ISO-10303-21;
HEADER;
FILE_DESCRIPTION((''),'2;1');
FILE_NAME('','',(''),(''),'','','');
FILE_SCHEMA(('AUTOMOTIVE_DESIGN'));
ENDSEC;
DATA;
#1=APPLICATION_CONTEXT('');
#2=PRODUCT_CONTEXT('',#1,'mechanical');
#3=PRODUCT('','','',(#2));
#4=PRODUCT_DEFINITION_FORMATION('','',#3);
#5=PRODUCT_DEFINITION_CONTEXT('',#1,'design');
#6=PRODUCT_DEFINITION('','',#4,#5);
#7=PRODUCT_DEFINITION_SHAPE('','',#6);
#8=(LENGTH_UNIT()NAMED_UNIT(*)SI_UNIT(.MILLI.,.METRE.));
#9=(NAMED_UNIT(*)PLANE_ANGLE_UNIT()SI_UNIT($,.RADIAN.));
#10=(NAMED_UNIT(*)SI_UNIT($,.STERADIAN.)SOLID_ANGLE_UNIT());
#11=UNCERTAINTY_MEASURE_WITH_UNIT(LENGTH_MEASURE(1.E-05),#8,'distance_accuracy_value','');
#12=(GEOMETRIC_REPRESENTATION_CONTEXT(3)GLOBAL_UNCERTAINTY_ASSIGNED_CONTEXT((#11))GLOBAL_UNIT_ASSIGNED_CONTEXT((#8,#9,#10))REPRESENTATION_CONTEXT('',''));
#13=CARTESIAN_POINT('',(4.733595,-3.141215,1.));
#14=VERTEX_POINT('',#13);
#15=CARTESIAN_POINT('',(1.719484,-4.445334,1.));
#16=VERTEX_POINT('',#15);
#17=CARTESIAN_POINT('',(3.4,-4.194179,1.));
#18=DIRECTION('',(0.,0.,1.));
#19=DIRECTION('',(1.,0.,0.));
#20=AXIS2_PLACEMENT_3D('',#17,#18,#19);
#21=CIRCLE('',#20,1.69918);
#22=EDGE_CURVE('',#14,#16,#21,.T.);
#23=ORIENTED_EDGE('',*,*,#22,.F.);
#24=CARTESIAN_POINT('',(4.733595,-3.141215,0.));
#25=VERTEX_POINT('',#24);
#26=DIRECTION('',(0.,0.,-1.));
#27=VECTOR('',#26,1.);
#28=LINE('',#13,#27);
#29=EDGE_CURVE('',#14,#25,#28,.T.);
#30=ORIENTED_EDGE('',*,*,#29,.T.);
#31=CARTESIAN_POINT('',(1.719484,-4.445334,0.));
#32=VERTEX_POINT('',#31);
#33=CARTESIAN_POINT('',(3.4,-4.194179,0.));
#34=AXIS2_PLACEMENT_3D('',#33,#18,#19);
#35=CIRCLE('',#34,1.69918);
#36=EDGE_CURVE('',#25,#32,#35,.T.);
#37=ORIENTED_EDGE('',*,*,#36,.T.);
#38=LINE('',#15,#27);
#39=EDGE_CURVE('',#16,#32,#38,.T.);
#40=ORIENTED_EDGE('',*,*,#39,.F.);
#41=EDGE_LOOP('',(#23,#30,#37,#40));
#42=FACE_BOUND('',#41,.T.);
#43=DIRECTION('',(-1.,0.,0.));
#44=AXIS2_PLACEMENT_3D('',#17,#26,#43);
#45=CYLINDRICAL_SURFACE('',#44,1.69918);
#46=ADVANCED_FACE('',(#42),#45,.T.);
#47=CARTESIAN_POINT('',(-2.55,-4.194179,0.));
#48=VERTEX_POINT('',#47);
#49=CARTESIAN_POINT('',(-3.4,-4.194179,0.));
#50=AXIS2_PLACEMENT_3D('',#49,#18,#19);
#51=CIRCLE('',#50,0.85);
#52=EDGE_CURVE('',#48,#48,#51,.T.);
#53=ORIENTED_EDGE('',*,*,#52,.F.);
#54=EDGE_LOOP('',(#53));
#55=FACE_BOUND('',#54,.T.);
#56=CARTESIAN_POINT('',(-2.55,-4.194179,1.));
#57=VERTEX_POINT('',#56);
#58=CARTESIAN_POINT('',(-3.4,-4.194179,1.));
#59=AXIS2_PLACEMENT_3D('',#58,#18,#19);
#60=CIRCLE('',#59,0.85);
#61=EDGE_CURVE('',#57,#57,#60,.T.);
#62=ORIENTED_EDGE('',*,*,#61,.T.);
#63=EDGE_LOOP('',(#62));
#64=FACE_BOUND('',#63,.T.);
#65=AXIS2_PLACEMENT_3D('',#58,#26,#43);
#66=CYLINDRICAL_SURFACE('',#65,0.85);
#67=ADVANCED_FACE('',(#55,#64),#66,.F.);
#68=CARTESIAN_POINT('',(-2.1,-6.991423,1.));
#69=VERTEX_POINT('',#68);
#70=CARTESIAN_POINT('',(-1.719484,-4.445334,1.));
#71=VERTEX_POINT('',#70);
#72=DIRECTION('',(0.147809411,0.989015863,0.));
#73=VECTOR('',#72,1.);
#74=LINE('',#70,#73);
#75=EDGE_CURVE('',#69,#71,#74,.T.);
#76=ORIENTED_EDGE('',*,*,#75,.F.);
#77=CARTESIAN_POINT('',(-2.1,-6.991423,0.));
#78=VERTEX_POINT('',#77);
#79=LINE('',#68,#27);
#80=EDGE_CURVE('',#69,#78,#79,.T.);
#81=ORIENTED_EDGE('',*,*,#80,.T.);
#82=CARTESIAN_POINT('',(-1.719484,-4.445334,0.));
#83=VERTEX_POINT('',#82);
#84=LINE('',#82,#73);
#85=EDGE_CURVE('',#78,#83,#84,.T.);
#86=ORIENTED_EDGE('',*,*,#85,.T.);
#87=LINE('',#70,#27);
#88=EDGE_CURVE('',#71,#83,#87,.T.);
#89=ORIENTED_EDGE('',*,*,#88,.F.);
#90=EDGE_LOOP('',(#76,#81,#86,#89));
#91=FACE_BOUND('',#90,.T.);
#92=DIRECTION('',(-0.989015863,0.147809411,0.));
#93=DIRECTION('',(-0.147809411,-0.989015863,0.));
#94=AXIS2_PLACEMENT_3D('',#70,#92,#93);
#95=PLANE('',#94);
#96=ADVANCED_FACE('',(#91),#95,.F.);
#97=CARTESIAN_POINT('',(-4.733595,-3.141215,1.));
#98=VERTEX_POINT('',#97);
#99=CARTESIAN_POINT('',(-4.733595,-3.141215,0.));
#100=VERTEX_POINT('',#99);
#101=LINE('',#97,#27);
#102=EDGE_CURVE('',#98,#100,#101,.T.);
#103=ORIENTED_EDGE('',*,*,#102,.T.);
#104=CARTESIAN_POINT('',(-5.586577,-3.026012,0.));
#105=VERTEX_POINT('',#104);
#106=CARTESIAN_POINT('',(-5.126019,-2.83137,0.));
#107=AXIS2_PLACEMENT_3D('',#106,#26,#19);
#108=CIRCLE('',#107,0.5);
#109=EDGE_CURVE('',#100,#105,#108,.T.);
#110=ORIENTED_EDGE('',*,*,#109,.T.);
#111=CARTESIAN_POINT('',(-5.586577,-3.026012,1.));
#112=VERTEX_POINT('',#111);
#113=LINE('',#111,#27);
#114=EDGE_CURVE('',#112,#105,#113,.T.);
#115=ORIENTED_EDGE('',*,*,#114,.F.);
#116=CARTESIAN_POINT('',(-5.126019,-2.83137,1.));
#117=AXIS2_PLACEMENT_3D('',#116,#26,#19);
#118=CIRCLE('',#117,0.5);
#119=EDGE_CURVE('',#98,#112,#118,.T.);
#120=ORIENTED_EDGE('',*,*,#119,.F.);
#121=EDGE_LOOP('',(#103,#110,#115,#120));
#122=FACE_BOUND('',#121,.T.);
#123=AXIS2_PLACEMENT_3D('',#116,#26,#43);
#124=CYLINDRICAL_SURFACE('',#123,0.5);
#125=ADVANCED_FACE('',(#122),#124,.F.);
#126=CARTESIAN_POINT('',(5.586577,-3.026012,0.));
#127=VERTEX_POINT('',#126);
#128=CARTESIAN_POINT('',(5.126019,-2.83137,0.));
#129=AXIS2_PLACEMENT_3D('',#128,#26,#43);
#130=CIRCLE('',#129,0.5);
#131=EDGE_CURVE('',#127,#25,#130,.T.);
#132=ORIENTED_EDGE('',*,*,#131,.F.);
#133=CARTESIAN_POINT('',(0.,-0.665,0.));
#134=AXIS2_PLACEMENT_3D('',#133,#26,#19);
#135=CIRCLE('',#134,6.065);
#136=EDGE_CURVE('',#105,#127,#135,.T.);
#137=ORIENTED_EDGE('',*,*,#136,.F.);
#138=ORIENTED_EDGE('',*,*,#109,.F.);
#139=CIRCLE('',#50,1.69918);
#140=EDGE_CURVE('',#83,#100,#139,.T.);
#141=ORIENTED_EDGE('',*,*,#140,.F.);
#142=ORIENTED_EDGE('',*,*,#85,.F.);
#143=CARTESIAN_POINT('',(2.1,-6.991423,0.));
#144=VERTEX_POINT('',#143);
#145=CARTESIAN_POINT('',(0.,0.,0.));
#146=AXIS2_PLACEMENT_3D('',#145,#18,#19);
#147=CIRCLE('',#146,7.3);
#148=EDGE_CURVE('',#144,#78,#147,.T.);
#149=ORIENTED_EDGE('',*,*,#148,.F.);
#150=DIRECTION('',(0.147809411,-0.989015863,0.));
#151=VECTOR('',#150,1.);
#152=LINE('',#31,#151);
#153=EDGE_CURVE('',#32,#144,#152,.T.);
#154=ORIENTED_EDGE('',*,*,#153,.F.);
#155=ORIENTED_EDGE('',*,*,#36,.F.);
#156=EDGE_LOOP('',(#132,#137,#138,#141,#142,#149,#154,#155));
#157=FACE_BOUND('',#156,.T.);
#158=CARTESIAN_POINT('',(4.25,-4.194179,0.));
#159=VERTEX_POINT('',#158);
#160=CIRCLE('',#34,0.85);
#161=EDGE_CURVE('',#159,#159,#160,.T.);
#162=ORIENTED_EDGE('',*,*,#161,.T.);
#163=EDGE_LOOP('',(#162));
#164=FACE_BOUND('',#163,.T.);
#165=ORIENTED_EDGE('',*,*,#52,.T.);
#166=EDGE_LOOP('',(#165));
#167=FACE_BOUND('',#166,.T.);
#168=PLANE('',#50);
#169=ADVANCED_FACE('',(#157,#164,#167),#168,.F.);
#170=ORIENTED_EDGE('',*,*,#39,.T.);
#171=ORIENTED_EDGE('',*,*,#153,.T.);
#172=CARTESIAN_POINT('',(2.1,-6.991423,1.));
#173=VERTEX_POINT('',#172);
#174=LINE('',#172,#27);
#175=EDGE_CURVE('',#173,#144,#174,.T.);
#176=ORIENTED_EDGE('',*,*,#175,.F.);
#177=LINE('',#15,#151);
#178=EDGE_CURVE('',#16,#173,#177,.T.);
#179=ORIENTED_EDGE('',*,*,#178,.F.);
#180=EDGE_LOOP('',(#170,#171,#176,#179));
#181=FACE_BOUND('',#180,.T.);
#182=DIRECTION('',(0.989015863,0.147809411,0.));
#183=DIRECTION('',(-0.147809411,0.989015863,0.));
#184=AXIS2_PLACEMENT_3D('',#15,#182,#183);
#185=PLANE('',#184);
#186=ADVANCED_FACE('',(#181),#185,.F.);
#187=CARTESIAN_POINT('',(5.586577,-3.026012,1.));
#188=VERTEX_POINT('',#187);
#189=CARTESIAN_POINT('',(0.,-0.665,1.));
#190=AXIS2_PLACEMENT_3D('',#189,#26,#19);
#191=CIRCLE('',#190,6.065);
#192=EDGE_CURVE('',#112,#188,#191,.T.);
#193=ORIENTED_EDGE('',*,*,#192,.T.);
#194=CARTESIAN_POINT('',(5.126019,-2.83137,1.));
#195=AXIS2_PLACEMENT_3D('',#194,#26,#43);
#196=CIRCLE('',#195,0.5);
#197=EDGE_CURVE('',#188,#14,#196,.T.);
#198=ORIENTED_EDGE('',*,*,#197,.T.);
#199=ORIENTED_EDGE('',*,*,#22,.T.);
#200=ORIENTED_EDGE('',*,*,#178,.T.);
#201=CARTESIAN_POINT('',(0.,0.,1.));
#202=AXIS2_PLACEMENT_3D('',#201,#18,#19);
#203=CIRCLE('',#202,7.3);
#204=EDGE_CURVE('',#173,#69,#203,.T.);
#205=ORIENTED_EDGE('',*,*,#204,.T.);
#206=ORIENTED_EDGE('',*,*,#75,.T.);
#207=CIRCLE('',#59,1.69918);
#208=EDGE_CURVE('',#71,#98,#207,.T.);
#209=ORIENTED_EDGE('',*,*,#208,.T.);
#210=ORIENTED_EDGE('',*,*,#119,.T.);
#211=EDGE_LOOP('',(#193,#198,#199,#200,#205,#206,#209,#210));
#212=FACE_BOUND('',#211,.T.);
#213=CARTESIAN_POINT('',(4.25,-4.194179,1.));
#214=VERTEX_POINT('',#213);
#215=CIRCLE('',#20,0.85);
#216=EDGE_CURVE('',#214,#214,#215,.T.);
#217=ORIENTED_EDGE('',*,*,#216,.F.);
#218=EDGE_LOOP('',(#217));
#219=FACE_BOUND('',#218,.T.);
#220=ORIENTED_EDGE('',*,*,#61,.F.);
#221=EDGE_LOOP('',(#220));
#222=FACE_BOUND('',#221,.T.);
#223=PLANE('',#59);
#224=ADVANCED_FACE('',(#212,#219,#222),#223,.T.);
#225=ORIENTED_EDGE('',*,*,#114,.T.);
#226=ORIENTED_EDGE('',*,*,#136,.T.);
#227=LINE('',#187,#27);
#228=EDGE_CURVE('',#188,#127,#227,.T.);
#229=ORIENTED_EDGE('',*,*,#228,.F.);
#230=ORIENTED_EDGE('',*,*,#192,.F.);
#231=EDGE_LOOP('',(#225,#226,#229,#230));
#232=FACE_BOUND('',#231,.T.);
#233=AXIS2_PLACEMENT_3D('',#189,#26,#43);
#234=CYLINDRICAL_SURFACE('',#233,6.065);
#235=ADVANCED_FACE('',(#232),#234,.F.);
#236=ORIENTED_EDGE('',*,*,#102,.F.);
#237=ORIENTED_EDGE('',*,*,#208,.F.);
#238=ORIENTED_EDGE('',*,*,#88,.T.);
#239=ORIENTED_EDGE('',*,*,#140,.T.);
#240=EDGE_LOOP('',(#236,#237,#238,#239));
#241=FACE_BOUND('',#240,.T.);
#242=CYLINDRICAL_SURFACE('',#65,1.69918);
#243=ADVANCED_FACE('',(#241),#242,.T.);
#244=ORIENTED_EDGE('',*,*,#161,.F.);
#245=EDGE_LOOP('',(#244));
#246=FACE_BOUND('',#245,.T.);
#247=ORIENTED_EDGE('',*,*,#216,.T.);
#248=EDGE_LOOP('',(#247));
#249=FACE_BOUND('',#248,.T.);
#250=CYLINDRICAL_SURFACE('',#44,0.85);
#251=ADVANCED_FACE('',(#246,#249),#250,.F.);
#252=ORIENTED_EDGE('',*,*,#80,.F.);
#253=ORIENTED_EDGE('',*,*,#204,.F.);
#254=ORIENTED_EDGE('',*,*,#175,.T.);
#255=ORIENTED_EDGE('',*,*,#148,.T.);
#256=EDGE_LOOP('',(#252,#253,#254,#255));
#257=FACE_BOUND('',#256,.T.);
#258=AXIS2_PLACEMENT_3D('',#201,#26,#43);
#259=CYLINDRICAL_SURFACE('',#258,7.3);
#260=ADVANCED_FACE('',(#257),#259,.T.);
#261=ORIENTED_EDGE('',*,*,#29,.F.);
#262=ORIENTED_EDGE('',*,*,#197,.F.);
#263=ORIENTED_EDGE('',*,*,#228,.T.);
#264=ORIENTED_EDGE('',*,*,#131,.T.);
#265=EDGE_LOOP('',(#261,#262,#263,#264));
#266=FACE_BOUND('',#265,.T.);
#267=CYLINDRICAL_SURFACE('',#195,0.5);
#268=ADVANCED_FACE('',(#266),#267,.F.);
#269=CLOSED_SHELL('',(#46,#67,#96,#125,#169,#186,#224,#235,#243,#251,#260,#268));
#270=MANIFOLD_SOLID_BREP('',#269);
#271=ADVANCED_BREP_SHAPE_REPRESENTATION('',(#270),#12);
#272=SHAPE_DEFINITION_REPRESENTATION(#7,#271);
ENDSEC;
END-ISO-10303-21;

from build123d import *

# Parameters (mm, degrees)
SKETCH1_R           = 0.85
BOSS_EXTRUDE1_DEPTH = 1


with BuildPart() as part:
    # Sketch1 → Boss-Extrude1 (new body)
    with BuildSketch(Plane.XY):
        with BuildLine():
            Line((-1.719484415, -4.445334087), (-2.1, -6.991423317))
            ThreePointArc((-2.1, -6.991423317), (0, 7.3), (2.1, -6.991423317))
            Line((2.1, -6.991423317), (1.719484415, -4.445334087))
            ThreePointArc((1.719484415, -4.445334087), (2.7252628, -2.634711157), (4.733595386, -3.14121464))
            ThreePointArc((4.733595386, -3.14121464), (5.192940459, -3.326870849), (5.586577433, -3.026011983))
            ThreePointArc((5.586577433, -3.026011983), (0, 5.4), (-5.586577433, -3.026011983))
            ThreePointArc((-5.586577433, -3.026011983), (-5.192940459, -3.326870849), (-4.733595386, -3.14121464))
            ThreePointArc((-4.733595386, -3.14121464), (-2.7252628, -2.634711157), (-1.719484415, -4.445334087))
        make_face()
        with Locations((-3.4, -4.19417935)):
            Circle(SKETCH1_R, mode=Mode.SUBTRACT)
        with Locations((3.4, -4.19417935)):
            Circle(SKETCH1_R, mode=Mode.SUBTRACT)
    extrude(amount=BOSS_EXTRUDE1_DEPTH)


solid = part.part
